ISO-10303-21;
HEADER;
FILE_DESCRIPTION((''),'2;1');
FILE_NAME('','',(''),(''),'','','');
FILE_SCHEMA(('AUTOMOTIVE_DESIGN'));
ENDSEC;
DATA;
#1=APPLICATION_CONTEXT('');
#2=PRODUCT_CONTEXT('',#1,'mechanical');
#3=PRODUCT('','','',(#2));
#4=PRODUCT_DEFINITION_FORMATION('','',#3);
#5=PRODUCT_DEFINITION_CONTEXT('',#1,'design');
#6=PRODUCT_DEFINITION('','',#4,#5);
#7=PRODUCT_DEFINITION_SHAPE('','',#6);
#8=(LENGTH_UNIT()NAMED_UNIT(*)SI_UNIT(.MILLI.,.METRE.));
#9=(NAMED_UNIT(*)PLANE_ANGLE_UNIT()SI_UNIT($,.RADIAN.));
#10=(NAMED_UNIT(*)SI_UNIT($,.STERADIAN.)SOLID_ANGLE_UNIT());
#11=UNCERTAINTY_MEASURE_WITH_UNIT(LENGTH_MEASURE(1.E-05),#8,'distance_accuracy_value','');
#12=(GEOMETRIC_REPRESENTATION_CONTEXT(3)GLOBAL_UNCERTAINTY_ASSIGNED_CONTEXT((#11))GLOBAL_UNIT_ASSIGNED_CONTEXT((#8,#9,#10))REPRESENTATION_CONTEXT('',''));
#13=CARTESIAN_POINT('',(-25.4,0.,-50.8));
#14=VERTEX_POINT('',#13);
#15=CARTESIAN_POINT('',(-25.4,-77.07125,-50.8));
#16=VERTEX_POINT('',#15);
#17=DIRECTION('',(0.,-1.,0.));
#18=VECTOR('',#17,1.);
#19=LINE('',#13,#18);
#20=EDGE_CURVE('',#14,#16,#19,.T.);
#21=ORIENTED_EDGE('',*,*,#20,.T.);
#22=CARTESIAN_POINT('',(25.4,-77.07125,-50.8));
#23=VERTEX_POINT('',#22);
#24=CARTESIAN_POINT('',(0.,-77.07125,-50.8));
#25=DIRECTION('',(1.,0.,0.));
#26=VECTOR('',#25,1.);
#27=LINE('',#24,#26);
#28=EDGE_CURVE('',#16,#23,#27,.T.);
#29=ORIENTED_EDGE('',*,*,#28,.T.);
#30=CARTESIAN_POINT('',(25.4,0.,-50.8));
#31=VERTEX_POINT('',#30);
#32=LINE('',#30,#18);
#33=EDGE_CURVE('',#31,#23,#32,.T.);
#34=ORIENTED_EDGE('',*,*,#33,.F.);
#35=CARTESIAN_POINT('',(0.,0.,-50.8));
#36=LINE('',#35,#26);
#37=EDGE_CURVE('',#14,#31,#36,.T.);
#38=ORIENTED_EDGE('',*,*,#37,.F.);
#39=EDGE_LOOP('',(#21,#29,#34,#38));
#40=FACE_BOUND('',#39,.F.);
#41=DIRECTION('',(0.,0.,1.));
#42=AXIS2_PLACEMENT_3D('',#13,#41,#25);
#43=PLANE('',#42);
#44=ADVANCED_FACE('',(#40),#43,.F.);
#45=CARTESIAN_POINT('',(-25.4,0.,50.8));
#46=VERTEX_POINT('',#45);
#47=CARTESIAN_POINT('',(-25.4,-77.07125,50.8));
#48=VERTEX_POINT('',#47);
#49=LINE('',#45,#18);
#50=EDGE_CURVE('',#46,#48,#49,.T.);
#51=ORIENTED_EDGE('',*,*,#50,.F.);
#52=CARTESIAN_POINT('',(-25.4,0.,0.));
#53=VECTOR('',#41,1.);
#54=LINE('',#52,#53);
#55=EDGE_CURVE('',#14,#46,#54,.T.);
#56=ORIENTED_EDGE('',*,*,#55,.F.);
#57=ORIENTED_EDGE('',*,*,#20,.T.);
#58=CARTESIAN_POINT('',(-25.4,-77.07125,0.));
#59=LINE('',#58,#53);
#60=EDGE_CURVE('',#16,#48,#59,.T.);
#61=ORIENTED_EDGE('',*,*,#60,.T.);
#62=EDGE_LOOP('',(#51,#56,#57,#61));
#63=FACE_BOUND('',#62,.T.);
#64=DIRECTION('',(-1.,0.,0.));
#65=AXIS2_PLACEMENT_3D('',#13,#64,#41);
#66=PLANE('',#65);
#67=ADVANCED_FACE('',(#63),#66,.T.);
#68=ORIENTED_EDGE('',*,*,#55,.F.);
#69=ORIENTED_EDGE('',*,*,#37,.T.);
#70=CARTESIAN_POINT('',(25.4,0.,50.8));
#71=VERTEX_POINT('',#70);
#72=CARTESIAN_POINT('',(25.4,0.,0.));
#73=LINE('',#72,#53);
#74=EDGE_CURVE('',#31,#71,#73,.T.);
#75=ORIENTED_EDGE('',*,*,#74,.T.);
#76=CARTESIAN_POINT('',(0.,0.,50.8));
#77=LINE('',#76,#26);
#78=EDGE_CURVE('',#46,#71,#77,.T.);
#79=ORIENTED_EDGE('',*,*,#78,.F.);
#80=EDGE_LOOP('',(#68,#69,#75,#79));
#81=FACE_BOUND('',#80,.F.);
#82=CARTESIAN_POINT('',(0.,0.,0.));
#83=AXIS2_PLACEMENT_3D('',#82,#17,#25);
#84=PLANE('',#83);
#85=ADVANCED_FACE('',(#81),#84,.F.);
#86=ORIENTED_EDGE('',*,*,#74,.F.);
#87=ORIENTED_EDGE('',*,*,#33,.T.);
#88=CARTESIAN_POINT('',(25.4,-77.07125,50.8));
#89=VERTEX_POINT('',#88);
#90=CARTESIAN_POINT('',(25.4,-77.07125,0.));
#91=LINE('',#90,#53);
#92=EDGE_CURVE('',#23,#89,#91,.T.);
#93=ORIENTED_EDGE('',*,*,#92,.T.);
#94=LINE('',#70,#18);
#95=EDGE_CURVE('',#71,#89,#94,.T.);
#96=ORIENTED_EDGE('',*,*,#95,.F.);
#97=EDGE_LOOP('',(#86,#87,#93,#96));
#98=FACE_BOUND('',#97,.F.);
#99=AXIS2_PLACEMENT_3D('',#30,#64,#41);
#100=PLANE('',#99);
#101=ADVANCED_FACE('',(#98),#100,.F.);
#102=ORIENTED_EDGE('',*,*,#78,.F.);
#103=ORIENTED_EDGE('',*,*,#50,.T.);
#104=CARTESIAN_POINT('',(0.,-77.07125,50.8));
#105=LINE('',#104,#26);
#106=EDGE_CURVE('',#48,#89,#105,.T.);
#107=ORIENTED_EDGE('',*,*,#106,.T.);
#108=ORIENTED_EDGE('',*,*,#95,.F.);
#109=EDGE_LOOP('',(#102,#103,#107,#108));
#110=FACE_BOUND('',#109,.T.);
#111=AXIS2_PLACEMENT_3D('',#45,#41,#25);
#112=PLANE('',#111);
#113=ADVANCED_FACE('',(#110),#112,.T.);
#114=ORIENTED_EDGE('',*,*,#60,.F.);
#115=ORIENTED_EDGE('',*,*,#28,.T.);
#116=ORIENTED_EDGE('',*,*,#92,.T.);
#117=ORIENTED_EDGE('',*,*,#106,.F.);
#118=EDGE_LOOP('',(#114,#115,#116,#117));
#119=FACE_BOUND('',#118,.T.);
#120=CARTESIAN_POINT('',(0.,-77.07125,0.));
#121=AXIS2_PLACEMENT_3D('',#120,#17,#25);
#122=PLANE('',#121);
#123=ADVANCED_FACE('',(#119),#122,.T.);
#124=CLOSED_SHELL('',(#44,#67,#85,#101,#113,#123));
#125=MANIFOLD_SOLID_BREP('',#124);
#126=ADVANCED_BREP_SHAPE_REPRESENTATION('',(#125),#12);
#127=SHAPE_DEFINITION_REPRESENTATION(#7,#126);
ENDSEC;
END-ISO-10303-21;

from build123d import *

# Parameters (mm, degrees)
F0_W     = 50.8
F0_H     = 101.6
F1_DEPTH = 77.07125


with BuildPart() as f1:
    # F0 (on Front) → F1 (new body)
    with BuildSketch(Plane.XZ):
        Rectangle(F0_W, F0_H)
    extrude(amount=F1_DEPTH)


solid = f1.part
